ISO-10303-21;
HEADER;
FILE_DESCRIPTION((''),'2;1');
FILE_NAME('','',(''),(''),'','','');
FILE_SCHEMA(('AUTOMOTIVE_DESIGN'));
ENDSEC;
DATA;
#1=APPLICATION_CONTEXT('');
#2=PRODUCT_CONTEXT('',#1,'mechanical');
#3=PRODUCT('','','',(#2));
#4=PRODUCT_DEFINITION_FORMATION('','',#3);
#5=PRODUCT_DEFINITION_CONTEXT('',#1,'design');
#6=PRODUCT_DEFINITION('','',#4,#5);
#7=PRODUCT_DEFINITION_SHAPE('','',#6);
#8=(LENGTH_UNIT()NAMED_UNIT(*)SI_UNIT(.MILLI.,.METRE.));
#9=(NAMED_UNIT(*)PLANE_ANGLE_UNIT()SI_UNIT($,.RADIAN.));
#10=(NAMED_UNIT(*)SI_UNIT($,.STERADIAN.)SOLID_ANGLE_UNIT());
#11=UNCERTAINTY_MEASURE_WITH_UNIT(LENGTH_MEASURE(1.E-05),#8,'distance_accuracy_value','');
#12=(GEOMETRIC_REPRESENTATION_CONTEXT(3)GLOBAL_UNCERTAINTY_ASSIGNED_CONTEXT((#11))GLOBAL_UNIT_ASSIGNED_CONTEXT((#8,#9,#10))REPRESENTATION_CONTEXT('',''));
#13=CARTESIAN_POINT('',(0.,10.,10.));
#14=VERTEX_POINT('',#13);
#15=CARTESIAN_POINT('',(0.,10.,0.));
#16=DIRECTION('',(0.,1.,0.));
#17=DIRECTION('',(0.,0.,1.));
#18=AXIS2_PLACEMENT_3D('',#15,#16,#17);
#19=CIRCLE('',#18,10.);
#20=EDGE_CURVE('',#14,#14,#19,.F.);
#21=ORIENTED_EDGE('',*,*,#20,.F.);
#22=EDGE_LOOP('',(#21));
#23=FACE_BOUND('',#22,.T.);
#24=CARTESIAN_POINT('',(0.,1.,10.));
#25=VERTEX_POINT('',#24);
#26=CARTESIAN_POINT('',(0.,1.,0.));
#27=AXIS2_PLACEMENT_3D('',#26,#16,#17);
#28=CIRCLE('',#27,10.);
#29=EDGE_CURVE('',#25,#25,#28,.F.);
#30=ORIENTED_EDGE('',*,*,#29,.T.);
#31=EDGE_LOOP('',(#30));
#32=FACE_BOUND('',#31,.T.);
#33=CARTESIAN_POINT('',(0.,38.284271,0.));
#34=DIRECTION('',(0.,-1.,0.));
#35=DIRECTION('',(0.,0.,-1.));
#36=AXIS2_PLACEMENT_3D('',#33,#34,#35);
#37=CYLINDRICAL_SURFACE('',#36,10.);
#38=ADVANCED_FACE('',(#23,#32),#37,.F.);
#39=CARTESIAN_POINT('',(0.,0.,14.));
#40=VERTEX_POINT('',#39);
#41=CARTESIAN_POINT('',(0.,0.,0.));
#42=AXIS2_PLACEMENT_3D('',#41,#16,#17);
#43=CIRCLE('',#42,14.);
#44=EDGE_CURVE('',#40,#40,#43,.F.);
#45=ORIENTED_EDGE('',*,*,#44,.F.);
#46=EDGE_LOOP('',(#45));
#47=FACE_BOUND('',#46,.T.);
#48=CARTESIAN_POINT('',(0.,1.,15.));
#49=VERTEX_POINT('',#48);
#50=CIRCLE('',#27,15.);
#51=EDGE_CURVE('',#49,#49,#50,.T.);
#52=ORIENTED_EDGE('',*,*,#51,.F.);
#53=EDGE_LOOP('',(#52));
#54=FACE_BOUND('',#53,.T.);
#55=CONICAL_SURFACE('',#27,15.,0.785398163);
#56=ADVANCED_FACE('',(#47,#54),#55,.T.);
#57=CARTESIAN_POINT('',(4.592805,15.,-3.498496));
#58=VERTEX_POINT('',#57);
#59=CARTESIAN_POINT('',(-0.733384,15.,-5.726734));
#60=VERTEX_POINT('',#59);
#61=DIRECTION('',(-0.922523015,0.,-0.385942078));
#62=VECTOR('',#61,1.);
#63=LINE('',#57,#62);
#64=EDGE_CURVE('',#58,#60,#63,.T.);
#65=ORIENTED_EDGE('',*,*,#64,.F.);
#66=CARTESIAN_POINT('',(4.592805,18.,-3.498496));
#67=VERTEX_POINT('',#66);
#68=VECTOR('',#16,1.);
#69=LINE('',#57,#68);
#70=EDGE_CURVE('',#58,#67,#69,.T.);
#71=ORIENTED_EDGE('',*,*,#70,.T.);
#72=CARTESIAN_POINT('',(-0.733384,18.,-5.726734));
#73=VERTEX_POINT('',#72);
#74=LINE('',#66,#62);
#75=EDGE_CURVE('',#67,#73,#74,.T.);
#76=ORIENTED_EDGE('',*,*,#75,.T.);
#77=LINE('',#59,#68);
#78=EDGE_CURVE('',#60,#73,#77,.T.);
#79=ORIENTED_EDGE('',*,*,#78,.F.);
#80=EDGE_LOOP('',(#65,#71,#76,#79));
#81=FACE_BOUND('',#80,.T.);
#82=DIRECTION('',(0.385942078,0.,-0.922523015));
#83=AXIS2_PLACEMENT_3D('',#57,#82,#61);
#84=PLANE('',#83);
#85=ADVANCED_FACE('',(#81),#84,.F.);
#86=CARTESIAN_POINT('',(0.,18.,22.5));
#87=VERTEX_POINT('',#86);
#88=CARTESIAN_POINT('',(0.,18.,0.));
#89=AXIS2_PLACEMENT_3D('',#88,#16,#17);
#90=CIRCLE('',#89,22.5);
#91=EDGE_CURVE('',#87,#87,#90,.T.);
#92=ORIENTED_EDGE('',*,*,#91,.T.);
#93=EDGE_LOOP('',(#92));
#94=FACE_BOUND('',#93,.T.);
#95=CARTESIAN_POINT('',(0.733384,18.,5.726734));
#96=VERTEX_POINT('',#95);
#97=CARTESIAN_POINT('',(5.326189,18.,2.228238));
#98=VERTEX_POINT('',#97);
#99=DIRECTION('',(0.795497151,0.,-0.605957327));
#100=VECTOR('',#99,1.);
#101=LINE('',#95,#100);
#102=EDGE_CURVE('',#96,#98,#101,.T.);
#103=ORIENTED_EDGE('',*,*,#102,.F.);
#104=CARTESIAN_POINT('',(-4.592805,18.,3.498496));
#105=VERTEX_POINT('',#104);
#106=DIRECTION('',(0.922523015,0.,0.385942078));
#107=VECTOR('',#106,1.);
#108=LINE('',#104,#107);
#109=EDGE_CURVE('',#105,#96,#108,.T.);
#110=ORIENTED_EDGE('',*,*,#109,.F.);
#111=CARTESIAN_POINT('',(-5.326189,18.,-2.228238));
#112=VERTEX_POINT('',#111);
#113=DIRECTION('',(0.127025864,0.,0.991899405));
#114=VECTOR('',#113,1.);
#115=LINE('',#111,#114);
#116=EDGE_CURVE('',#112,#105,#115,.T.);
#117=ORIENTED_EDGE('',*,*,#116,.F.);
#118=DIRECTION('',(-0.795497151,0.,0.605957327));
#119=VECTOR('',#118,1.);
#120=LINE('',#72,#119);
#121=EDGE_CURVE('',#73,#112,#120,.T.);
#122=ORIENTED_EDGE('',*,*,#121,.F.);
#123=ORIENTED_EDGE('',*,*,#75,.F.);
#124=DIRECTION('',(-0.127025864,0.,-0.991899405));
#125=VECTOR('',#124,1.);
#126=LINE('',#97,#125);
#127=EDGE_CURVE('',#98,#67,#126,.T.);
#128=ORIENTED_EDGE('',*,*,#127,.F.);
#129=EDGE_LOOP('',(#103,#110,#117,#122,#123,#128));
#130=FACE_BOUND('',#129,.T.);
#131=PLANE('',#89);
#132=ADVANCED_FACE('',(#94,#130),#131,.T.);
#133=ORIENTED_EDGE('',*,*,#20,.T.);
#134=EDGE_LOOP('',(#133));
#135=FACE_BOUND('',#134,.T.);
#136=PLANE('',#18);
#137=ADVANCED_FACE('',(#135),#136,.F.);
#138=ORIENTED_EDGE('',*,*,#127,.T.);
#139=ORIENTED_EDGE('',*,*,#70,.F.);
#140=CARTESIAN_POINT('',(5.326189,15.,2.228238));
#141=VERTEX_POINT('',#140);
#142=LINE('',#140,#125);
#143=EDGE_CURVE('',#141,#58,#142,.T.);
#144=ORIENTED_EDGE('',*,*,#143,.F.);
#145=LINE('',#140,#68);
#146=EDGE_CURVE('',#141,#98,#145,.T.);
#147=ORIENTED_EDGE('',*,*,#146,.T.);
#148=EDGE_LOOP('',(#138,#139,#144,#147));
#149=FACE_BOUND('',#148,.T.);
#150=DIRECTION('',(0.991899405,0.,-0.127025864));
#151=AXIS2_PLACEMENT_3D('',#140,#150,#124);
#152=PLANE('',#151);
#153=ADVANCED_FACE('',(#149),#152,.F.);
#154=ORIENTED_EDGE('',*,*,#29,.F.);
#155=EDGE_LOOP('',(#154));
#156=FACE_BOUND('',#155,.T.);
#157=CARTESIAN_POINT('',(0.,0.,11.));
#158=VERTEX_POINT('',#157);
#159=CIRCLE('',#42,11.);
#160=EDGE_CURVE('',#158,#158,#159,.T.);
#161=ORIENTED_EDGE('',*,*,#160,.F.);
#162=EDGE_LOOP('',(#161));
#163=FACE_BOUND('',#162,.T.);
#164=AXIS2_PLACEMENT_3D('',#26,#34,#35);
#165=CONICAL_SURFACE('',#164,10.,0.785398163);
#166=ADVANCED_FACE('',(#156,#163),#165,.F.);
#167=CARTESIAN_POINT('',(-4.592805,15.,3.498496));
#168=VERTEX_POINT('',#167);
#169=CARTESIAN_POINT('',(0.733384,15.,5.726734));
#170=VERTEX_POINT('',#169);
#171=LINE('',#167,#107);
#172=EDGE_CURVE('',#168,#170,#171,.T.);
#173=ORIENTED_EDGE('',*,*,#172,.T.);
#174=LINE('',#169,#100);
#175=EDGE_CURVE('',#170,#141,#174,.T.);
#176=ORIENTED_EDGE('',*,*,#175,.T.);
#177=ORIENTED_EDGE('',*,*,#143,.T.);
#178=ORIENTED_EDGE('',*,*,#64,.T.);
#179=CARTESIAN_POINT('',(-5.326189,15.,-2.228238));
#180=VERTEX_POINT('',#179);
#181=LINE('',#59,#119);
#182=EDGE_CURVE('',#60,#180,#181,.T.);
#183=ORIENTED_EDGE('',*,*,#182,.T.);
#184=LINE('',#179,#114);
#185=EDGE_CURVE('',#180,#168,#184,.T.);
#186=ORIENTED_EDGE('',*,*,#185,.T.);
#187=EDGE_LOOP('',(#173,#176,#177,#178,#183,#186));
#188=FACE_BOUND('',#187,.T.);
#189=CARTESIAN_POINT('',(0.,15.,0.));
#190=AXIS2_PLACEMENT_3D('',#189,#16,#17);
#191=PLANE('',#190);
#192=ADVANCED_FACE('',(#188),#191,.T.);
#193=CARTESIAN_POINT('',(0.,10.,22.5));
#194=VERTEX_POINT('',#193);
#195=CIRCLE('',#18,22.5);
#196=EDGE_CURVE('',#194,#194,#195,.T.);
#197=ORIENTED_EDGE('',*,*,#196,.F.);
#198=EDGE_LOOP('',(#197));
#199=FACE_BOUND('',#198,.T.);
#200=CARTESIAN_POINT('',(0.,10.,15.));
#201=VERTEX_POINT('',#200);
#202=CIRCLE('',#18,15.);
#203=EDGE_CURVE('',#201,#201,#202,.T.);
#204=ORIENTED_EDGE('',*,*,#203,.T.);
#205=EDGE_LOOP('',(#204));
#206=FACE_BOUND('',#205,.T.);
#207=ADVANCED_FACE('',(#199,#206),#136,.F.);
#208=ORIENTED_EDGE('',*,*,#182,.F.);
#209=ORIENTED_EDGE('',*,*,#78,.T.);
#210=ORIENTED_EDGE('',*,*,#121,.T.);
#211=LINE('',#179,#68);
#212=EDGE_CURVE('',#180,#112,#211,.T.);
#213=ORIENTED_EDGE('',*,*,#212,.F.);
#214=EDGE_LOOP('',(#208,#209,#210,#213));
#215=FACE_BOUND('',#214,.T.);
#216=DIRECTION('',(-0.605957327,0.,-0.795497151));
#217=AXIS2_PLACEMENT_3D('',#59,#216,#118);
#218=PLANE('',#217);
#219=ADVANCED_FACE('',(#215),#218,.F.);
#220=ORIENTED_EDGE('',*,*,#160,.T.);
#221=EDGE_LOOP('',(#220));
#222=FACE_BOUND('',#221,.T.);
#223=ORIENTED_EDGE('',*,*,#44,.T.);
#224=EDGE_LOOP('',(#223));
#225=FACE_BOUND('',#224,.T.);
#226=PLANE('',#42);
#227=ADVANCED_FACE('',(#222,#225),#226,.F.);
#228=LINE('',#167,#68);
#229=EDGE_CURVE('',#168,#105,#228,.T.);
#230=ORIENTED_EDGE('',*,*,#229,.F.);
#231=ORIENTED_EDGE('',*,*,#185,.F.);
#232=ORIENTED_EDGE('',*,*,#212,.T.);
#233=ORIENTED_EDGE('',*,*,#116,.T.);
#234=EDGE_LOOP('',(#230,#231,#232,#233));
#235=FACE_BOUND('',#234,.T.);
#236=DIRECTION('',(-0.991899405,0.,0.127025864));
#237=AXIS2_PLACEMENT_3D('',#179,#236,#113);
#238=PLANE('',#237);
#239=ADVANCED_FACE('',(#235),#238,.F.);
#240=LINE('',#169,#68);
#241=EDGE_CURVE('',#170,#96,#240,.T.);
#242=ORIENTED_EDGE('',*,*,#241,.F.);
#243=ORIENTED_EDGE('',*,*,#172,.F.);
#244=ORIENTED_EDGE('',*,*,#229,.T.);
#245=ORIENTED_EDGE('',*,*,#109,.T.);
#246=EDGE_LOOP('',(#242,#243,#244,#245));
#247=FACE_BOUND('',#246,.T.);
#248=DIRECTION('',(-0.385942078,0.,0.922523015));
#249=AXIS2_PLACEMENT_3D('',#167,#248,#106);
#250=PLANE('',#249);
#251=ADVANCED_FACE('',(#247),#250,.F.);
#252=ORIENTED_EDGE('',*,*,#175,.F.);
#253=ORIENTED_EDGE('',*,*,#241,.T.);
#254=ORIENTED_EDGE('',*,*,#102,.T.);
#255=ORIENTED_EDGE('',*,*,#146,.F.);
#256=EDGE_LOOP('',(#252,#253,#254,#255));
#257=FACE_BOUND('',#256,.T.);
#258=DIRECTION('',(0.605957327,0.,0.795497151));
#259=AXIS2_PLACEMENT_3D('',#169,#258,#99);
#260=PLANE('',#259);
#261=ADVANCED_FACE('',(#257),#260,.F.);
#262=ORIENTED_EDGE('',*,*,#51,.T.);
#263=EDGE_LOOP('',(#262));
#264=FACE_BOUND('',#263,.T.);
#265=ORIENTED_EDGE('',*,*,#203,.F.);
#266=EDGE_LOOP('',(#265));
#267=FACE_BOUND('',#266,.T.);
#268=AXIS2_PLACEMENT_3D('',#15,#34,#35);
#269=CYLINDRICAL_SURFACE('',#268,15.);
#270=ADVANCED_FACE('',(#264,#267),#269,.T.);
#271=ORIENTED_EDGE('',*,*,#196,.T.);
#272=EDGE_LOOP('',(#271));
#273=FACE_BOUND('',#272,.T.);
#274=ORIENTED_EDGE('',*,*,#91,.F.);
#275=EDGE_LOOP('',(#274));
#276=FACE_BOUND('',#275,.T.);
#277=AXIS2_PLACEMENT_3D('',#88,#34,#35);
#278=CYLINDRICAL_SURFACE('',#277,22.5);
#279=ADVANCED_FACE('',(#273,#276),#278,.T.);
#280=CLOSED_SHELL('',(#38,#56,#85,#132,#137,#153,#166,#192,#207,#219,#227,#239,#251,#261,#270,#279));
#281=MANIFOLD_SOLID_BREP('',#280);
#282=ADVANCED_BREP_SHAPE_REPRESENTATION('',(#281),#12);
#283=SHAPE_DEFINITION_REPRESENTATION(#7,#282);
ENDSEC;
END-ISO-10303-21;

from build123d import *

# Parameters (mm, degrees)
SKETCH1_R           = 15
BOSS_EXTRUDE1_DEPTH = 10
SKETCH2_R           = 22.5
BOSS_EXTRUDE2_DEPTH = 8
CHAMFER1_SIZE       = 1
SKETCH3_R           = 10
CUT_EXTRUDE1_DEPTH  = 10
CUT_EXTRUDE2_DEPTH  = 3
CHAMFER2_SIZE       = 1


with BuildPart() as part:
    # Sketch1 → Boss-Extrude1 (new body)
    with BuildSketch(Plane(origin=(0, 0, 0), x_dir=(1, 0, 0), z_dir=(0, 1, 0))):
        with Locations(Location((0, 0, 0), (0, 0, 270))):
            Circle(SKETCH1_R)
    extrude(amount=BOSS_EXTRUDE1_DEPTH)

    # Sketch2 → Boss-Extrude2 (add)
    with BuildSketch(Plane(origin=(0, 10, 0), x_dir=(1, 0, 0), z_dir=(0, 1, 0))):
        with Locations(Location((0, 0, 0), (0, 0, 270))):
            Circle(SKETCH2_R)
    extrude(amount=BOSS_EXTRUDE2_DEPTH)

    # Chamfer1
    chamfer1_edges = [part.edges().sort_by_distance(p)[0] for p in [
        (0, 0, -15),
    ]]
    chamfer(chamfer1_edges, length=CHAMFER1_SIZE)

    # Sketch3 → Cut-Extrude1 (cut)
    with BuildSketch(Plane.XZ):
        with Locations(Location((0, 0, 0), (0, 0, 270))):
            Circle(SKETCH3_R)
    extrude(amount=-CUT_EXTRUDE1_DEPTH, mode=Mode.SUBTRACT)

    # Sketch4 → Cut-Extrude2 (cut)
    with BuildSketch(Plane(origin=(0, 18, 0), x_dir=(1, 0, 0), z_dir=(0, 1, 0))):
        Polygon((5.326189108, -2.228237625), (4.592804943, 3.49849626), (-0.733384165, 5.726733886), (-5.326189108, 2.228237625), (-4.592804943, -3.49849626), (0.733384165, -5.726733886), align=None)
    extrude(amount=-CUT_EXTRUDE2_DEPTH, mode=Mode.SUBTRACT)

    # Chamfer2
    chamfer2_edges = [part.edges().sort_by_distance(p)[0] for p in [
        (0, 0, 10),
    ]]
    chamfer(chamfer2_edges, length=CHAMFER2_SIZE)


solid = part.part
